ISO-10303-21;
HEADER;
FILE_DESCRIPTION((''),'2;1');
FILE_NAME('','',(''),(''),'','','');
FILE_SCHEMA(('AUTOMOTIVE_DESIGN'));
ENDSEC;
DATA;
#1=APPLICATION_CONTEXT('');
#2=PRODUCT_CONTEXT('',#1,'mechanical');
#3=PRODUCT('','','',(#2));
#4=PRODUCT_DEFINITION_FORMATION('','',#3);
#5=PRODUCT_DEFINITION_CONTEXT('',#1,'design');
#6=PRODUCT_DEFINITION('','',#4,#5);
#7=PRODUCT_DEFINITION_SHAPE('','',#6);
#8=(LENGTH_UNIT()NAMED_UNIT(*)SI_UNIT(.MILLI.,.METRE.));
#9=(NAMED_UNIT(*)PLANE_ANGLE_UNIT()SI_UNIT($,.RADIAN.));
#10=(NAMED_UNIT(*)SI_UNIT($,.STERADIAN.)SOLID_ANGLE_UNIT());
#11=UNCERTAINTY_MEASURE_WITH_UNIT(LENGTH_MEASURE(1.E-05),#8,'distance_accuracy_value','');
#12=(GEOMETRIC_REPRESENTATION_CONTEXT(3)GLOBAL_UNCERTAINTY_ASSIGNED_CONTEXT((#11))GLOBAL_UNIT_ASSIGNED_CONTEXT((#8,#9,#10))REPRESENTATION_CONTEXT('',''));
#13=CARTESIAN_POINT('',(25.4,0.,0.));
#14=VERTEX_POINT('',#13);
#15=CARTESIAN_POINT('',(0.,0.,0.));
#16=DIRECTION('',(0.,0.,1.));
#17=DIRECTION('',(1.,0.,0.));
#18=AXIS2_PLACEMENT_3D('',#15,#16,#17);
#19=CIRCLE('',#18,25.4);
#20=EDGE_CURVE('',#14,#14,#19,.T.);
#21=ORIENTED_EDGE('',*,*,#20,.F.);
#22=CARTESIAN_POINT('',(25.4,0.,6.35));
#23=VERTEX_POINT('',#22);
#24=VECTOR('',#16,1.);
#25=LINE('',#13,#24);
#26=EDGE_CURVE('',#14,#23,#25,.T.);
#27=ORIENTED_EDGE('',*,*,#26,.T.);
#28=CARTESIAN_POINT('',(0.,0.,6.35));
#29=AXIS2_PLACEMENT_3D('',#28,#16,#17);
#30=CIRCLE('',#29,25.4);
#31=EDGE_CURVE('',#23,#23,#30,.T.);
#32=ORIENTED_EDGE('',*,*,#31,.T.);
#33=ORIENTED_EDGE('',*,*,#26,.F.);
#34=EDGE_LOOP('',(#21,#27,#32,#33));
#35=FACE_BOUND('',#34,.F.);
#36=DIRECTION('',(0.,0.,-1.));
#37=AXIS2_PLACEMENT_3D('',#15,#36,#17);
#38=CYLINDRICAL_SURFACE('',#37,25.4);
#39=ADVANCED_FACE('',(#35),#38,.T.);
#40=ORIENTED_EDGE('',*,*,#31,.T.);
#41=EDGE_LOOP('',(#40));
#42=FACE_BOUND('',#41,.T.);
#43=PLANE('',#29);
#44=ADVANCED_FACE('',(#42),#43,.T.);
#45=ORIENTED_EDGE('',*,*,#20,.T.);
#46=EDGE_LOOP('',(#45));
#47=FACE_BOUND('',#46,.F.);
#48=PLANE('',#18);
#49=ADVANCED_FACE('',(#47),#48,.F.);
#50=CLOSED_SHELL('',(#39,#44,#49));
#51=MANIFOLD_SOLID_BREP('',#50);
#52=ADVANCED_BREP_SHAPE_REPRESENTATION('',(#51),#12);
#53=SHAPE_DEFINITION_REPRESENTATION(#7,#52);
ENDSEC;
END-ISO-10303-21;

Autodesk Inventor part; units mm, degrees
ref_plane "YZ Plane" through (0, 0, 0) normal (1, 0, 0) x (0, 1, 0)
ref_plane "XZ Plane" through (0, 0, 0) normal (0, 1, 0) x (-1, 0, 0)
ref_plane "XY Plane" through (0, 0, 0) normal (0, 0, 1) x (1, 0, 0)
sketch "Sketch1" plane through (0, 0, 0) normal (0, 0, 1) x (1, 0, 0)
  circle A0 centre (0, 0) radius 25.4
  dimension "d0" = 50.8
extrude "Extrusion1" add sketch "Sketch1" along normal blind 6.35
properties part number "mockWheel"
